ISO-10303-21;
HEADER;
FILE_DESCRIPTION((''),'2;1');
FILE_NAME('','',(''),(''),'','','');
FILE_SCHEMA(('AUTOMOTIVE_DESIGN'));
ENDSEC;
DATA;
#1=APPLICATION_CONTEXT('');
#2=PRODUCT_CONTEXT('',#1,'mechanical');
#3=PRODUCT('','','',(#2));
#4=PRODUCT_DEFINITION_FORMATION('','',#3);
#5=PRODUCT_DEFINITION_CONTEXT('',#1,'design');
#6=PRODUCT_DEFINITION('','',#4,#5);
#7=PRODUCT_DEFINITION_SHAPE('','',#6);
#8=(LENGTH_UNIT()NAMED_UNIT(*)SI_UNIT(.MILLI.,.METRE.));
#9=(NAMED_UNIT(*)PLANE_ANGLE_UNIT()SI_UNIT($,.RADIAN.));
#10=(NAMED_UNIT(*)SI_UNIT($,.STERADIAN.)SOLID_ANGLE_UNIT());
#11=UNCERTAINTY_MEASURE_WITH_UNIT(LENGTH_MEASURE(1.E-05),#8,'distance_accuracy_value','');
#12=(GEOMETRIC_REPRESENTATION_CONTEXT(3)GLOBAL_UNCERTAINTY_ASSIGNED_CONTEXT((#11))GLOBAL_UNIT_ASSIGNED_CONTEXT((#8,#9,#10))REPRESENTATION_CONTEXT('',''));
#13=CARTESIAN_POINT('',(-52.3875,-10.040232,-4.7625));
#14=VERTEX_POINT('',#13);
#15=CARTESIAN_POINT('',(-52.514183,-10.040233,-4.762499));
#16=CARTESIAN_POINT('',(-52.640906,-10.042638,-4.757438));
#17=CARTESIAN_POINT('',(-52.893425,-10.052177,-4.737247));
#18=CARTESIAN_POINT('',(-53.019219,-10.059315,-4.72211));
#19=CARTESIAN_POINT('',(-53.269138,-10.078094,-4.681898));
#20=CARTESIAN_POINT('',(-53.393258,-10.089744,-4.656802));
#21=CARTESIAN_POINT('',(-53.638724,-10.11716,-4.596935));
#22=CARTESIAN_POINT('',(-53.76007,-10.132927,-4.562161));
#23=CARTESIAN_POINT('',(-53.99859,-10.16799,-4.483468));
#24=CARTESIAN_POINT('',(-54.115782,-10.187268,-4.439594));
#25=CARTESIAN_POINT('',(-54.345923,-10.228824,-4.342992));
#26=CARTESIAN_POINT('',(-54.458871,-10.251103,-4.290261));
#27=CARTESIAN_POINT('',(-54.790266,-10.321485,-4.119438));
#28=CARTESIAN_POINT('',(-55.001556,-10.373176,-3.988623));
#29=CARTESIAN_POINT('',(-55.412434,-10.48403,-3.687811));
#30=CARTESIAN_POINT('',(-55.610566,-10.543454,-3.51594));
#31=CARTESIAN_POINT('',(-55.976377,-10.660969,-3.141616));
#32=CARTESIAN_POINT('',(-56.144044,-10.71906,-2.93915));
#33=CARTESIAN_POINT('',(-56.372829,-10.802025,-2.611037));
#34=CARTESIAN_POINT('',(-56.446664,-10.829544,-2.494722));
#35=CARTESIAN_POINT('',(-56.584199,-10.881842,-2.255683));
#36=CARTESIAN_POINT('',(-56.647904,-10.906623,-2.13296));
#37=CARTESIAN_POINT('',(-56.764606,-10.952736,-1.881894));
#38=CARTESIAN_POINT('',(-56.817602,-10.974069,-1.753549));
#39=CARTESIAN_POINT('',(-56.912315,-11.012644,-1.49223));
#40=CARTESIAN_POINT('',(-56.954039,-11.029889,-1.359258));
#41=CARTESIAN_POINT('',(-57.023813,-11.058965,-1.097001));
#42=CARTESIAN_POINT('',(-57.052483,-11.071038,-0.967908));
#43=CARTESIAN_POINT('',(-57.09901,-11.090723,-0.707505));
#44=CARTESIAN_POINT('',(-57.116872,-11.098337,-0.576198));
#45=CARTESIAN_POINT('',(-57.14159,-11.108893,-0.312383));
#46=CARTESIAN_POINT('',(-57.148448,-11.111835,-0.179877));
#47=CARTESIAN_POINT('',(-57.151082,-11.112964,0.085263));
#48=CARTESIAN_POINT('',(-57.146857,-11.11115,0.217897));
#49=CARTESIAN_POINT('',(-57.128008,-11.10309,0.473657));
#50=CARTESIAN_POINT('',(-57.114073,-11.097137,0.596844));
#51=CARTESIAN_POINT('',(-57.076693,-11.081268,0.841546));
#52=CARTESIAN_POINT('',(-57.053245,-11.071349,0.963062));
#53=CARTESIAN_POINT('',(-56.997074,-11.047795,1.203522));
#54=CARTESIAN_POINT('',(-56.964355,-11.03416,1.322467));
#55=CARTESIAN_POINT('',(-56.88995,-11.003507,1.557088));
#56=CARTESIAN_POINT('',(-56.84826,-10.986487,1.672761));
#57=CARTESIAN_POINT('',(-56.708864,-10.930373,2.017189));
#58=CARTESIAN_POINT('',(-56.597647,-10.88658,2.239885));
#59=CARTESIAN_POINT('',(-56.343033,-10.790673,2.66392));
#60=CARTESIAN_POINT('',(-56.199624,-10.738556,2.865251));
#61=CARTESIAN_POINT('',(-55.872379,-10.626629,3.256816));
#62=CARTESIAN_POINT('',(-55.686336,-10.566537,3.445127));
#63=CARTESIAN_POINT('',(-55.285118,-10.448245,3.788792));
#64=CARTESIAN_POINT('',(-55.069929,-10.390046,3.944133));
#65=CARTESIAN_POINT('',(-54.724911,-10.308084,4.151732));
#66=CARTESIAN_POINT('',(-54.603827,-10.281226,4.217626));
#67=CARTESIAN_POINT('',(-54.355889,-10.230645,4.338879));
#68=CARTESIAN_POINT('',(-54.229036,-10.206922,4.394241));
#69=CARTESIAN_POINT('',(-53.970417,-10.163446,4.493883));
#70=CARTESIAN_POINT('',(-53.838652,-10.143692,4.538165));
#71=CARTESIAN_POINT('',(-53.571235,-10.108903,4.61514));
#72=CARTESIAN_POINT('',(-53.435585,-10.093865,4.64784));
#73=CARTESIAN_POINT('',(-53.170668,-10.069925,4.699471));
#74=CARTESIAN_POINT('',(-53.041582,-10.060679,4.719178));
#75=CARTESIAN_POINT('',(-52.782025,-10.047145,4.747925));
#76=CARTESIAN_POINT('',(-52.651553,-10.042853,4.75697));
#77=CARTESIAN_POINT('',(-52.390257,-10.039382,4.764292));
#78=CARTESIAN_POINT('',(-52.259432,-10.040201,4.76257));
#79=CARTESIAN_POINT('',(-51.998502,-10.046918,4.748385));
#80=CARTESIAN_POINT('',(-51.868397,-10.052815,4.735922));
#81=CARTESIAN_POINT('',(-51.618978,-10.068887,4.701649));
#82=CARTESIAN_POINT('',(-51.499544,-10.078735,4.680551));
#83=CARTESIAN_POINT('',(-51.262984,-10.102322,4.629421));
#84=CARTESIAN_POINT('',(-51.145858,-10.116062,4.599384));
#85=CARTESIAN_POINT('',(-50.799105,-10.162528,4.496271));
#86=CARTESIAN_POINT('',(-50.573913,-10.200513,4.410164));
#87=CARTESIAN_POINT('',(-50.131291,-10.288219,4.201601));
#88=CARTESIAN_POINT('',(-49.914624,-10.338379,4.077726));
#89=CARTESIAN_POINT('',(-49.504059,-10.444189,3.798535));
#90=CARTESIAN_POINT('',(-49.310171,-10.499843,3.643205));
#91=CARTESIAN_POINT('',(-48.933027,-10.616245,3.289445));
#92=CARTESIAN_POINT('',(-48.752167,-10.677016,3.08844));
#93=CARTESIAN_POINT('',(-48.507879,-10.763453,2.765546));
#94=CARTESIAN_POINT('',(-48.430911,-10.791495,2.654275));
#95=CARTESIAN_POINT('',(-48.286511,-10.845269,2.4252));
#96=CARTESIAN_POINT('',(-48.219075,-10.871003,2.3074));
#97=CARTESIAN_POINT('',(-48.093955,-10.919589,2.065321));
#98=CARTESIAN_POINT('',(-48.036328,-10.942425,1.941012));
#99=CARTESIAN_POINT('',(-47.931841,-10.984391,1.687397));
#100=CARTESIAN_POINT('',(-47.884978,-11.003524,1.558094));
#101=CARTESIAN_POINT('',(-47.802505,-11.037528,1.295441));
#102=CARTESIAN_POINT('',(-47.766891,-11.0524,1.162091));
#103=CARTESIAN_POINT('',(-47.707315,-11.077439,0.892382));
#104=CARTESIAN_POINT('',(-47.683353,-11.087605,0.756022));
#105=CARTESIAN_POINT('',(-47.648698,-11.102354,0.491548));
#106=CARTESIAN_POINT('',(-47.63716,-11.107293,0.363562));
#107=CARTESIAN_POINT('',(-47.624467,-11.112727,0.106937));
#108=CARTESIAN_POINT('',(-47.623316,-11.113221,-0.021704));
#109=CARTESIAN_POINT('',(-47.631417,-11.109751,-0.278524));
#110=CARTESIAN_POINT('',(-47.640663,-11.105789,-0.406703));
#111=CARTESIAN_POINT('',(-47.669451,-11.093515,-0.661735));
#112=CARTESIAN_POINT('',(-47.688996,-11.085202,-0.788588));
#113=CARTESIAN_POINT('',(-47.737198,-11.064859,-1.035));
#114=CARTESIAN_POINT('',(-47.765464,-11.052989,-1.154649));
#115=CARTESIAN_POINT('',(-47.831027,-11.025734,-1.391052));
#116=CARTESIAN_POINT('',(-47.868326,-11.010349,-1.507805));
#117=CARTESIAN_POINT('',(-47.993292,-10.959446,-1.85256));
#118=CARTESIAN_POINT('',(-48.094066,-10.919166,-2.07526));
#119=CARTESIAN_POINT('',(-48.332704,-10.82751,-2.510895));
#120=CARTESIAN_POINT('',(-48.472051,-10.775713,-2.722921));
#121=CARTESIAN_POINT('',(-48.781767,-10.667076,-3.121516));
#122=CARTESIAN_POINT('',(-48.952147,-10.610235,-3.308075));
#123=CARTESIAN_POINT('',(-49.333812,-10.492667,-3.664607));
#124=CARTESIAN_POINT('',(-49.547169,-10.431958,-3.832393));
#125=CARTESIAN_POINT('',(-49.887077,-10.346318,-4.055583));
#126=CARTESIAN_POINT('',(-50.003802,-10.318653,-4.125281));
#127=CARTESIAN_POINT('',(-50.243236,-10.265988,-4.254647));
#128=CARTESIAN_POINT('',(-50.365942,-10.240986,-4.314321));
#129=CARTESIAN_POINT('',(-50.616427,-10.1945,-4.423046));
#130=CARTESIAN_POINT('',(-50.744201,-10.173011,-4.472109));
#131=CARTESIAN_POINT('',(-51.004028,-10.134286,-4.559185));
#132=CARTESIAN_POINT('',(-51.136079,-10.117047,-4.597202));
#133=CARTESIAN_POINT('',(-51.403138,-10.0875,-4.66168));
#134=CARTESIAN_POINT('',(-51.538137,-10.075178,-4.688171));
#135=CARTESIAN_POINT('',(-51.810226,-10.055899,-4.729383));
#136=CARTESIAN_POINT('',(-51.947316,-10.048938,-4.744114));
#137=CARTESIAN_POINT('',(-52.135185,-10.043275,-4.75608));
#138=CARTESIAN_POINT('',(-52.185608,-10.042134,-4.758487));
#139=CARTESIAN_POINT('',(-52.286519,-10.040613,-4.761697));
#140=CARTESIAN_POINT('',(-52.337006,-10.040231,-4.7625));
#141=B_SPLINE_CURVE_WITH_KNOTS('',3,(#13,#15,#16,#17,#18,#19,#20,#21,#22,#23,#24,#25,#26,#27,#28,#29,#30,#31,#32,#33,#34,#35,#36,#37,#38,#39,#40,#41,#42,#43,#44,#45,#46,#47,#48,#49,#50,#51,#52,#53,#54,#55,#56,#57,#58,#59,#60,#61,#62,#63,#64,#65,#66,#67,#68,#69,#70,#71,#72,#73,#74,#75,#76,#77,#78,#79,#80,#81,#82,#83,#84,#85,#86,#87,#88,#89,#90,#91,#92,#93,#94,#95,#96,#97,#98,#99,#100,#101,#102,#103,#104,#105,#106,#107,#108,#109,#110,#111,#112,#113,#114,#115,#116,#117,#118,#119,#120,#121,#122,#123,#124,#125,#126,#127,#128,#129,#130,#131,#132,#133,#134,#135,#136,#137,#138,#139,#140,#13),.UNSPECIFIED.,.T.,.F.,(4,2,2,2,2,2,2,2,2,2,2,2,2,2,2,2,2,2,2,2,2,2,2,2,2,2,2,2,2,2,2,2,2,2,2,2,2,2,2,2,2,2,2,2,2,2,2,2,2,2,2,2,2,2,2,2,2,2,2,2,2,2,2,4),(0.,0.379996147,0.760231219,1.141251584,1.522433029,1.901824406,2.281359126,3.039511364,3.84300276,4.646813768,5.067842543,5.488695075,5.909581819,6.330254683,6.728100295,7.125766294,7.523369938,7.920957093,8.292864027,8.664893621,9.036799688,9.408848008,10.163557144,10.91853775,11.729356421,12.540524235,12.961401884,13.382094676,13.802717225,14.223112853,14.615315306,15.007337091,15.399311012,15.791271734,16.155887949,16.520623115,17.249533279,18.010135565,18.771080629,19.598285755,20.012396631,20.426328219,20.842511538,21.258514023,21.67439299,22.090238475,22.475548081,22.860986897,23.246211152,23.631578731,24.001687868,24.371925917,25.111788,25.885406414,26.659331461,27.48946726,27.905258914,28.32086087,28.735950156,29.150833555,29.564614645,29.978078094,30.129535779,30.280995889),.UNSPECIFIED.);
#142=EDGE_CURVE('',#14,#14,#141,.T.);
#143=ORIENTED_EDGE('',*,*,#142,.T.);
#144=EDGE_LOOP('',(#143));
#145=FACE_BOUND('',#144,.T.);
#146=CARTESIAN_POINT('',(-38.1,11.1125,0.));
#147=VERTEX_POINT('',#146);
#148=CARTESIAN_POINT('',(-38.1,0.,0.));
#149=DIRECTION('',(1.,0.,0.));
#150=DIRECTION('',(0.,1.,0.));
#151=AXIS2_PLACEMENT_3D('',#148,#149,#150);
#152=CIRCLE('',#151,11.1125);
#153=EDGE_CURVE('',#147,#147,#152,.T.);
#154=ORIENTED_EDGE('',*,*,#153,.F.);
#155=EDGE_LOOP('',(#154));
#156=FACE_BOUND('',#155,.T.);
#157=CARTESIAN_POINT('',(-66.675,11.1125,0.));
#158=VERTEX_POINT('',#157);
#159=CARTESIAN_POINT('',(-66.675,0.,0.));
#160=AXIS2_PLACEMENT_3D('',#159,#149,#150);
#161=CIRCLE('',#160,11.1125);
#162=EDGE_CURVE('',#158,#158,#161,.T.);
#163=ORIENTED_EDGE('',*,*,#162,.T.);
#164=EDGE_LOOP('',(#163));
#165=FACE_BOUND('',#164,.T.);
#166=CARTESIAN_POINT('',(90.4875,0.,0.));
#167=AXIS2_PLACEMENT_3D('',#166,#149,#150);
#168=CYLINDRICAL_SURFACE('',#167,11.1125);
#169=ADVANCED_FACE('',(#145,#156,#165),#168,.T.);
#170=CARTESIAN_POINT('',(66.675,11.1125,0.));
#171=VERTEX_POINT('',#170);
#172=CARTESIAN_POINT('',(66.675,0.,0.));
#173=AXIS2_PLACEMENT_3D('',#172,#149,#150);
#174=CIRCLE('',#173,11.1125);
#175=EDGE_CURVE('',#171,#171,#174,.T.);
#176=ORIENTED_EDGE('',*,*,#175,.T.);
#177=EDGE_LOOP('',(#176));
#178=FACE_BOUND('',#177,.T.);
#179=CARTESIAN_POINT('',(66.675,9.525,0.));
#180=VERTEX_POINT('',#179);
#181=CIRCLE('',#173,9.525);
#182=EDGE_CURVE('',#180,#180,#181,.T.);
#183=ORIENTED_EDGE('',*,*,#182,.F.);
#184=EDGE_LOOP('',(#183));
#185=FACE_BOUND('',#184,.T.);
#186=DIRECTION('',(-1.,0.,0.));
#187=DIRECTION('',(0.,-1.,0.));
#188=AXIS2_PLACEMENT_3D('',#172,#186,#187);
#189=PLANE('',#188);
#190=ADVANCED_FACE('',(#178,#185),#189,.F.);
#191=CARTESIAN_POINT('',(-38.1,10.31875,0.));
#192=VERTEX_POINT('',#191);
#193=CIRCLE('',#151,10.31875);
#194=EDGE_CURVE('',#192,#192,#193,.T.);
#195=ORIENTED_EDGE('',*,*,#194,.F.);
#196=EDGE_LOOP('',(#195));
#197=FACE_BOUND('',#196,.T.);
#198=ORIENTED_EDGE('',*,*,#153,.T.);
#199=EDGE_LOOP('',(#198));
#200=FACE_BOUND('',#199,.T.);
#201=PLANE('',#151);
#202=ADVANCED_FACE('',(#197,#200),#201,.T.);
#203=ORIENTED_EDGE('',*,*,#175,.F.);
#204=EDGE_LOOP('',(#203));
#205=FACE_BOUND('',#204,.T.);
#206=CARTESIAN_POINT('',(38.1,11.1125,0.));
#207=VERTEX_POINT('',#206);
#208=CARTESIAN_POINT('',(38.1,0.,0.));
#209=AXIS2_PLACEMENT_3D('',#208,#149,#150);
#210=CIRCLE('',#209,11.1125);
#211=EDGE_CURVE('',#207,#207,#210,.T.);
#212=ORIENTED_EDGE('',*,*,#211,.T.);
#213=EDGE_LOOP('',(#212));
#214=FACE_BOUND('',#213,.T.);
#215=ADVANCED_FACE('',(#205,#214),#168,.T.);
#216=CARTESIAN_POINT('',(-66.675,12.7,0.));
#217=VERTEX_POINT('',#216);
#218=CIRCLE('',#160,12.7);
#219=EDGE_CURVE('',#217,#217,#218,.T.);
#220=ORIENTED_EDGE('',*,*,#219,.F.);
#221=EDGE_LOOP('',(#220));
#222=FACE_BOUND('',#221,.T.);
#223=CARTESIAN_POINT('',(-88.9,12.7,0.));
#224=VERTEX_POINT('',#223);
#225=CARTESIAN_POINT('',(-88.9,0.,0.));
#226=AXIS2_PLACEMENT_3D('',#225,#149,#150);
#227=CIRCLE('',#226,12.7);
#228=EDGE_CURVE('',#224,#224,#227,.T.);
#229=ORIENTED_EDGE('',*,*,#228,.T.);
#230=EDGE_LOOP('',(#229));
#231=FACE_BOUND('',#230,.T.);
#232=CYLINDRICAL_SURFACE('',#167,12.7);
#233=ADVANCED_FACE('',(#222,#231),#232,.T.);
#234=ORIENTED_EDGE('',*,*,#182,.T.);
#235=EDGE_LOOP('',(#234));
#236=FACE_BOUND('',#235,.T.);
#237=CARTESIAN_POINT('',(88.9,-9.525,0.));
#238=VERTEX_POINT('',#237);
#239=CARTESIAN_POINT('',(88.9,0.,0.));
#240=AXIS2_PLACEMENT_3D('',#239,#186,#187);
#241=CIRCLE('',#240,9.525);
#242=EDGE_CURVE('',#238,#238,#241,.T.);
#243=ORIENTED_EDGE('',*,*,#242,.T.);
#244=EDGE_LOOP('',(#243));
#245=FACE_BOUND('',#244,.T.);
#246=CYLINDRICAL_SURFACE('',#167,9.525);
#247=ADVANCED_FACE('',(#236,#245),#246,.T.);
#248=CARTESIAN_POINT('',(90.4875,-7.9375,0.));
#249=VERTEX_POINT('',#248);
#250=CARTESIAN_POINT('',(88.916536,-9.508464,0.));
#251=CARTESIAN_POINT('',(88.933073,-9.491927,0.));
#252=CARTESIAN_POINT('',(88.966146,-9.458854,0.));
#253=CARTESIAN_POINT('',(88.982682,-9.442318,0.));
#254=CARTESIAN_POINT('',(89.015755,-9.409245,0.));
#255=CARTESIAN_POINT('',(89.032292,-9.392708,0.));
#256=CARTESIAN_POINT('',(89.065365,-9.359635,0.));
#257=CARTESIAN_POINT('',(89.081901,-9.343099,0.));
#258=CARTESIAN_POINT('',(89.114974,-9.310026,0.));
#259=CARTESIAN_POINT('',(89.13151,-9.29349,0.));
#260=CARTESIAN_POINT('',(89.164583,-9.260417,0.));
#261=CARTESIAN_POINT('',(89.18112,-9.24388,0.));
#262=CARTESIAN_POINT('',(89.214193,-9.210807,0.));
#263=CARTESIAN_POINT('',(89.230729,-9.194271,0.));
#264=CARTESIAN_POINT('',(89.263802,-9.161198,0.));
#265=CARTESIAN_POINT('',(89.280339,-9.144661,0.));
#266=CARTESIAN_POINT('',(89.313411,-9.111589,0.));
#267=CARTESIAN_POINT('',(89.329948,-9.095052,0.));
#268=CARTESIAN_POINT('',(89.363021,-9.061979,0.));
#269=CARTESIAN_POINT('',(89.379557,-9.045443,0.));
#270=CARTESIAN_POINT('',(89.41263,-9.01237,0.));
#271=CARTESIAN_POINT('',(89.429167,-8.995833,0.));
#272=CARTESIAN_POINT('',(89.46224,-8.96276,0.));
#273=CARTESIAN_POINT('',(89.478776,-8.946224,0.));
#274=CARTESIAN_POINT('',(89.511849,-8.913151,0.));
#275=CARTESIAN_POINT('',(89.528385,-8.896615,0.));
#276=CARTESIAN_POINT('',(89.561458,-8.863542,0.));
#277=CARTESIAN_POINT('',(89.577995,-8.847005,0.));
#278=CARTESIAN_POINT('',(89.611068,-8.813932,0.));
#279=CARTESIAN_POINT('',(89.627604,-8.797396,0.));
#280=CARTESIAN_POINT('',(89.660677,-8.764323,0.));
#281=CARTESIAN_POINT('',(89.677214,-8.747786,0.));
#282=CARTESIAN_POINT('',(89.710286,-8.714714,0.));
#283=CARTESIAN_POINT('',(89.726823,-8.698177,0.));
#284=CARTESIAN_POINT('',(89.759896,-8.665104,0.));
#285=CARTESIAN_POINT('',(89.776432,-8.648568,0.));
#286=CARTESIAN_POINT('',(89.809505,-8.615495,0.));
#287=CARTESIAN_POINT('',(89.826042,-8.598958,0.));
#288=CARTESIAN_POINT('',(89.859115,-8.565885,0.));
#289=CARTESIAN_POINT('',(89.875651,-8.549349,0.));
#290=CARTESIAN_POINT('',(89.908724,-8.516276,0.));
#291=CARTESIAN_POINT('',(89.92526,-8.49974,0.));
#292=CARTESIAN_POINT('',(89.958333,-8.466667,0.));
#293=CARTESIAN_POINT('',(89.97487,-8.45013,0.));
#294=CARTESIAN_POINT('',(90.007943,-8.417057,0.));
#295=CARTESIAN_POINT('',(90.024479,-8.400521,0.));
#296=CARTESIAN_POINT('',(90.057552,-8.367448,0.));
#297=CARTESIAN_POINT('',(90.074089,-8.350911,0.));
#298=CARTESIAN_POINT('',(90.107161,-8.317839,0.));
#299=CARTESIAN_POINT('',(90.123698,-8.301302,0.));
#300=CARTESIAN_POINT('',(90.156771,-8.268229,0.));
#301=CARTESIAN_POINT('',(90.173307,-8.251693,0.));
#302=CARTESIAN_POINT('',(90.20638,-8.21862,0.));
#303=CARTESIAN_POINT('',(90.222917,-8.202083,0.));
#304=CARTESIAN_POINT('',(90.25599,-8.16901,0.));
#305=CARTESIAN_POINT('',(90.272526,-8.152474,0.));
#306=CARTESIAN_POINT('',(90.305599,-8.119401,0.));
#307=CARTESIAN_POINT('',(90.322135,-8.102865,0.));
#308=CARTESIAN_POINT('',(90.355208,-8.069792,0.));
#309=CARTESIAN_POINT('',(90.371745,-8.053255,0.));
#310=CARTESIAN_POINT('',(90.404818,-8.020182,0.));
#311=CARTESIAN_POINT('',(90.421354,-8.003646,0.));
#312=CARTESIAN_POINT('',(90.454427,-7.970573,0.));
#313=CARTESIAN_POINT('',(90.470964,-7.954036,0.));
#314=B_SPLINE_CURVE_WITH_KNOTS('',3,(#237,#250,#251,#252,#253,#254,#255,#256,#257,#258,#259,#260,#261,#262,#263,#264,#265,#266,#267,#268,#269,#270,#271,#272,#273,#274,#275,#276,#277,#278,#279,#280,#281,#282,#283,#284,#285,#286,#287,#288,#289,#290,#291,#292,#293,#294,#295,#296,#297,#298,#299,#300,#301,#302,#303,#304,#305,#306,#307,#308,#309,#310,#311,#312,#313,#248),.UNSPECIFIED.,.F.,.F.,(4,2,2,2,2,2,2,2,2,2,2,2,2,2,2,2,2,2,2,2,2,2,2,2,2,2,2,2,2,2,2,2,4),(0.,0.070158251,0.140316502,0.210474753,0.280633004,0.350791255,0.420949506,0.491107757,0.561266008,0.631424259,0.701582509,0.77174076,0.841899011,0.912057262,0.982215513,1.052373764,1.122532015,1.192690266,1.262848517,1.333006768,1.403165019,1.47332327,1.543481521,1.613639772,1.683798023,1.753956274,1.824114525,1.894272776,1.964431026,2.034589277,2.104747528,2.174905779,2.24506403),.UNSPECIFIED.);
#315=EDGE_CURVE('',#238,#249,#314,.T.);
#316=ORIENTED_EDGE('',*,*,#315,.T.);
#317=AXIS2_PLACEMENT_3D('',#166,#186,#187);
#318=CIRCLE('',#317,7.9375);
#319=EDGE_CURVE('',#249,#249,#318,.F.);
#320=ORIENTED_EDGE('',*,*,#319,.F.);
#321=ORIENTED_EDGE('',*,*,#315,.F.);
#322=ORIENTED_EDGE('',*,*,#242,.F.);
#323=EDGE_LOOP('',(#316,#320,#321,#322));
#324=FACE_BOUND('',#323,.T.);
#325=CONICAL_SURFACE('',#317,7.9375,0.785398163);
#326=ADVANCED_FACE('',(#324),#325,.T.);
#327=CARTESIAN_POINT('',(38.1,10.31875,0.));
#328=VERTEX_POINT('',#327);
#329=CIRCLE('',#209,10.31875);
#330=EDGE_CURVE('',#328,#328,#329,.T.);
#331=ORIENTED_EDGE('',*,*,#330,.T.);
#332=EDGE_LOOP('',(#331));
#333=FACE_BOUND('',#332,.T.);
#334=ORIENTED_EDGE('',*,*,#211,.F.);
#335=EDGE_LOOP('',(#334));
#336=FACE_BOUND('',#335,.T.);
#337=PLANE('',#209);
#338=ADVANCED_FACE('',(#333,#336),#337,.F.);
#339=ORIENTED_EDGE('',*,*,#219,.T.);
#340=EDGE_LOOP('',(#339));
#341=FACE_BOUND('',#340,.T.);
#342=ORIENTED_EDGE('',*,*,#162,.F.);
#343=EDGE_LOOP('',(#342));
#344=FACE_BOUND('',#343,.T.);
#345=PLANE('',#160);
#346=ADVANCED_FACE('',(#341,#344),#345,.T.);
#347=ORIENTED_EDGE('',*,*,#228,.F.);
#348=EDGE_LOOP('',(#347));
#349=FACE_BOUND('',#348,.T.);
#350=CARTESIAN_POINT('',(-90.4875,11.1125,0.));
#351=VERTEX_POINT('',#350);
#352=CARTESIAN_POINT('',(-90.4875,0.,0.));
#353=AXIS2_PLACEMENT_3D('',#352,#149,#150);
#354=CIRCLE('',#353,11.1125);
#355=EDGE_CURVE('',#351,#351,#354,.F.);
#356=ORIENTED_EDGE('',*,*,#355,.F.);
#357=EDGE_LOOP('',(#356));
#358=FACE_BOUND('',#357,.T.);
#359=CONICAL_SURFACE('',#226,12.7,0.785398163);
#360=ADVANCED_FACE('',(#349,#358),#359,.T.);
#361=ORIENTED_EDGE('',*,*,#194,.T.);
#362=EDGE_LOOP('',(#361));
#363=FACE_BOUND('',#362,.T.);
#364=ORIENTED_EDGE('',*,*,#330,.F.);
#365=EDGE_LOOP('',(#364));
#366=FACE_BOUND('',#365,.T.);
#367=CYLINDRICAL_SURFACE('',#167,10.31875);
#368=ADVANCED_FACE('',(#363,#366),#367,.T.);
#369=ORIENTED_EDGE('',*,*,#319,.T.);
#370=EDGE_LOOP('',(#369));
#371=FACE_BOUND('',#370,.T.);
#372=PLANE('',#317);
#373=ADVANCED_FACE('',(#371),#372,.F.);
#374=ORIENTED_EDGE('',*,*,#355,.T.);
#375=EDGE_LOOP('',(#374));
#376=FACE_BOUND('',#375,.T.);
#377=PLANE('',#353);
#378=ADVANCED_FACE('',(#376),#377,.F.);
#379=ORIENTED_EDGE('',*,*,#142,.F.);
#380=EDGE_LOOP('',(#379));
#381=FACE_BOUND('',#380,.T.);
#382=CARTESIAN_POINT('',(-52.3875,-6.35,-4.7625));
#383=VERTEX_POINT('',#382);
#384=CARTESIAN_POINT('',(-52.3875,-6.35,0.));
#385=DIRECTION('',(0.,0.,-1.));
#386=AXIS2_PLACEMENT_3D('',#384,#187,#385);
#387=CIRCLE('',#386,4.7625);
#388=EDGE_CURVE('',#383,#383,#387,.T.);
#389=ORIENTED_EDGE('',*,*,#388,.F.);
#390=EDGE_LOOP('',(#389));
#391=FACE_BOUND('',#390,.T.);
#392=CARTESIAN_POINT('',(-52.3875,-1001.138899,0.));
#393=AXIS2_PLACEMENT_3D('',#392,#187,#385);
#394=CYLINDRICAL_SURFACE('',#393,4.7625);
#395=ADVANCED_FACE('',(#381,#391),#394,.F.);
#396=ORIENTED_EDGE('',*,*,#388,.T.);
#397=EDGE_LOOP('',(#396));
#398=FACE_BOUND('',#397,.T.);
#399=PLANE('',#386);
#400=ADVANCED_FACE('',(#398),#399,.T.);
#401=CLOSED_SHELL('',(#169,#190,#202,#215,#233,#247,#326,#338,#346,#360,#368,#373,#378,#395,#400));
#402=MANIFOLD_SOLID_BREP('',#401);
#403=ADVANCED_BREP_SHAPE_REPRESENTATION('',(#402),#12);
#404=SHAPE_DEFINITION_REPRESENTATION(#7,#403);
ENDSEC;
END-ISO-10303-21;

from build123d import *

# Parameters (mm, degrees)
SKETCH2_W     = 38.1
SKETCH2_H     = 10.31875
SKETCH2_W_2   = 23.8125
SKETCH2_H_2   = 9.525
CHAMFER4_SIZE = 1.5875
CHAMFER5_SIZE = 1.5875
SKETCH3_W     = 4.7625
SKETCH3_H     = 4.7625


with BuildPart() as part:
    # Sketch2 → Revolve1 (revolve)
    with BuildSketch(Plane.XY):
        Polygon((-90.4875, 12.7), (-90.4875, 0), (-66.675, 0), (-66.675, 11.1125), (-66.675, 12.7), align=None)
        Polygon((-66.675, 11.1125), (-66.675, 0), (-38.1, 0), (-38.1, 10.31875), (-38.1, 11.1125), align=None)
        with Locations((-19.05, 5.159375)):
            Rectangle(SKETCH2_W, SKETCH2_H)
        with Locations((19.05, 5.159375)):
            Rectangle(SKETCH2_W, SKETCH2_H)
        Polygon((38.1, 10.31875), (38.1, 0), (66.675, 0), (66.675, 9.525), (66.675, 11.1125), (38.1, 11.1125), align=None)
        with Locations((78.58125, 4.7625)):
            Rectangle(SKETCH2_W_2, SKETCH2_H_2)
    revolve(axis=Axis((90.4875, 0, 0), (-1, 0, 0)))

    # Chamfer4
    chamfer4_edges = [part.edges().sort_by_distance(p)[0] for p in [
        (90.4875, -9.525, 0),
    ]]
    chamfer(chamfer4_edges, length=CHAMFER4_SIZE)

    # Chamfer5
    chamfer5_edges = [part.edges().sort_by_distance(p)[0] for p in [
        (-90.4875, -12.7, 0),
    ]]
    chamfer(chamfer5_edges, length=CHAMFER5_SIZE)

    # Sketch3 → Cut-Revolve1 (revolve, cut)
    with BuildSketch(Plane.XY, mode=Mode.PRIVATE) as cut_revolve1_sk:
        with Locations((-54.76875, -8.73125)):
            Rectangle(SKETCH3_W, SKETCH3_H)
    revolve(cut_revolve1_sk.sketch.rotate(Axis((-52.3875, -1001.138899493, 0), (0, 1, 0)), 270), axis=Axis((-52.3875, -1001.138899493, 0), (0, 1, 0)), mode=Mode.SUBTRACT)


solid = part.part
